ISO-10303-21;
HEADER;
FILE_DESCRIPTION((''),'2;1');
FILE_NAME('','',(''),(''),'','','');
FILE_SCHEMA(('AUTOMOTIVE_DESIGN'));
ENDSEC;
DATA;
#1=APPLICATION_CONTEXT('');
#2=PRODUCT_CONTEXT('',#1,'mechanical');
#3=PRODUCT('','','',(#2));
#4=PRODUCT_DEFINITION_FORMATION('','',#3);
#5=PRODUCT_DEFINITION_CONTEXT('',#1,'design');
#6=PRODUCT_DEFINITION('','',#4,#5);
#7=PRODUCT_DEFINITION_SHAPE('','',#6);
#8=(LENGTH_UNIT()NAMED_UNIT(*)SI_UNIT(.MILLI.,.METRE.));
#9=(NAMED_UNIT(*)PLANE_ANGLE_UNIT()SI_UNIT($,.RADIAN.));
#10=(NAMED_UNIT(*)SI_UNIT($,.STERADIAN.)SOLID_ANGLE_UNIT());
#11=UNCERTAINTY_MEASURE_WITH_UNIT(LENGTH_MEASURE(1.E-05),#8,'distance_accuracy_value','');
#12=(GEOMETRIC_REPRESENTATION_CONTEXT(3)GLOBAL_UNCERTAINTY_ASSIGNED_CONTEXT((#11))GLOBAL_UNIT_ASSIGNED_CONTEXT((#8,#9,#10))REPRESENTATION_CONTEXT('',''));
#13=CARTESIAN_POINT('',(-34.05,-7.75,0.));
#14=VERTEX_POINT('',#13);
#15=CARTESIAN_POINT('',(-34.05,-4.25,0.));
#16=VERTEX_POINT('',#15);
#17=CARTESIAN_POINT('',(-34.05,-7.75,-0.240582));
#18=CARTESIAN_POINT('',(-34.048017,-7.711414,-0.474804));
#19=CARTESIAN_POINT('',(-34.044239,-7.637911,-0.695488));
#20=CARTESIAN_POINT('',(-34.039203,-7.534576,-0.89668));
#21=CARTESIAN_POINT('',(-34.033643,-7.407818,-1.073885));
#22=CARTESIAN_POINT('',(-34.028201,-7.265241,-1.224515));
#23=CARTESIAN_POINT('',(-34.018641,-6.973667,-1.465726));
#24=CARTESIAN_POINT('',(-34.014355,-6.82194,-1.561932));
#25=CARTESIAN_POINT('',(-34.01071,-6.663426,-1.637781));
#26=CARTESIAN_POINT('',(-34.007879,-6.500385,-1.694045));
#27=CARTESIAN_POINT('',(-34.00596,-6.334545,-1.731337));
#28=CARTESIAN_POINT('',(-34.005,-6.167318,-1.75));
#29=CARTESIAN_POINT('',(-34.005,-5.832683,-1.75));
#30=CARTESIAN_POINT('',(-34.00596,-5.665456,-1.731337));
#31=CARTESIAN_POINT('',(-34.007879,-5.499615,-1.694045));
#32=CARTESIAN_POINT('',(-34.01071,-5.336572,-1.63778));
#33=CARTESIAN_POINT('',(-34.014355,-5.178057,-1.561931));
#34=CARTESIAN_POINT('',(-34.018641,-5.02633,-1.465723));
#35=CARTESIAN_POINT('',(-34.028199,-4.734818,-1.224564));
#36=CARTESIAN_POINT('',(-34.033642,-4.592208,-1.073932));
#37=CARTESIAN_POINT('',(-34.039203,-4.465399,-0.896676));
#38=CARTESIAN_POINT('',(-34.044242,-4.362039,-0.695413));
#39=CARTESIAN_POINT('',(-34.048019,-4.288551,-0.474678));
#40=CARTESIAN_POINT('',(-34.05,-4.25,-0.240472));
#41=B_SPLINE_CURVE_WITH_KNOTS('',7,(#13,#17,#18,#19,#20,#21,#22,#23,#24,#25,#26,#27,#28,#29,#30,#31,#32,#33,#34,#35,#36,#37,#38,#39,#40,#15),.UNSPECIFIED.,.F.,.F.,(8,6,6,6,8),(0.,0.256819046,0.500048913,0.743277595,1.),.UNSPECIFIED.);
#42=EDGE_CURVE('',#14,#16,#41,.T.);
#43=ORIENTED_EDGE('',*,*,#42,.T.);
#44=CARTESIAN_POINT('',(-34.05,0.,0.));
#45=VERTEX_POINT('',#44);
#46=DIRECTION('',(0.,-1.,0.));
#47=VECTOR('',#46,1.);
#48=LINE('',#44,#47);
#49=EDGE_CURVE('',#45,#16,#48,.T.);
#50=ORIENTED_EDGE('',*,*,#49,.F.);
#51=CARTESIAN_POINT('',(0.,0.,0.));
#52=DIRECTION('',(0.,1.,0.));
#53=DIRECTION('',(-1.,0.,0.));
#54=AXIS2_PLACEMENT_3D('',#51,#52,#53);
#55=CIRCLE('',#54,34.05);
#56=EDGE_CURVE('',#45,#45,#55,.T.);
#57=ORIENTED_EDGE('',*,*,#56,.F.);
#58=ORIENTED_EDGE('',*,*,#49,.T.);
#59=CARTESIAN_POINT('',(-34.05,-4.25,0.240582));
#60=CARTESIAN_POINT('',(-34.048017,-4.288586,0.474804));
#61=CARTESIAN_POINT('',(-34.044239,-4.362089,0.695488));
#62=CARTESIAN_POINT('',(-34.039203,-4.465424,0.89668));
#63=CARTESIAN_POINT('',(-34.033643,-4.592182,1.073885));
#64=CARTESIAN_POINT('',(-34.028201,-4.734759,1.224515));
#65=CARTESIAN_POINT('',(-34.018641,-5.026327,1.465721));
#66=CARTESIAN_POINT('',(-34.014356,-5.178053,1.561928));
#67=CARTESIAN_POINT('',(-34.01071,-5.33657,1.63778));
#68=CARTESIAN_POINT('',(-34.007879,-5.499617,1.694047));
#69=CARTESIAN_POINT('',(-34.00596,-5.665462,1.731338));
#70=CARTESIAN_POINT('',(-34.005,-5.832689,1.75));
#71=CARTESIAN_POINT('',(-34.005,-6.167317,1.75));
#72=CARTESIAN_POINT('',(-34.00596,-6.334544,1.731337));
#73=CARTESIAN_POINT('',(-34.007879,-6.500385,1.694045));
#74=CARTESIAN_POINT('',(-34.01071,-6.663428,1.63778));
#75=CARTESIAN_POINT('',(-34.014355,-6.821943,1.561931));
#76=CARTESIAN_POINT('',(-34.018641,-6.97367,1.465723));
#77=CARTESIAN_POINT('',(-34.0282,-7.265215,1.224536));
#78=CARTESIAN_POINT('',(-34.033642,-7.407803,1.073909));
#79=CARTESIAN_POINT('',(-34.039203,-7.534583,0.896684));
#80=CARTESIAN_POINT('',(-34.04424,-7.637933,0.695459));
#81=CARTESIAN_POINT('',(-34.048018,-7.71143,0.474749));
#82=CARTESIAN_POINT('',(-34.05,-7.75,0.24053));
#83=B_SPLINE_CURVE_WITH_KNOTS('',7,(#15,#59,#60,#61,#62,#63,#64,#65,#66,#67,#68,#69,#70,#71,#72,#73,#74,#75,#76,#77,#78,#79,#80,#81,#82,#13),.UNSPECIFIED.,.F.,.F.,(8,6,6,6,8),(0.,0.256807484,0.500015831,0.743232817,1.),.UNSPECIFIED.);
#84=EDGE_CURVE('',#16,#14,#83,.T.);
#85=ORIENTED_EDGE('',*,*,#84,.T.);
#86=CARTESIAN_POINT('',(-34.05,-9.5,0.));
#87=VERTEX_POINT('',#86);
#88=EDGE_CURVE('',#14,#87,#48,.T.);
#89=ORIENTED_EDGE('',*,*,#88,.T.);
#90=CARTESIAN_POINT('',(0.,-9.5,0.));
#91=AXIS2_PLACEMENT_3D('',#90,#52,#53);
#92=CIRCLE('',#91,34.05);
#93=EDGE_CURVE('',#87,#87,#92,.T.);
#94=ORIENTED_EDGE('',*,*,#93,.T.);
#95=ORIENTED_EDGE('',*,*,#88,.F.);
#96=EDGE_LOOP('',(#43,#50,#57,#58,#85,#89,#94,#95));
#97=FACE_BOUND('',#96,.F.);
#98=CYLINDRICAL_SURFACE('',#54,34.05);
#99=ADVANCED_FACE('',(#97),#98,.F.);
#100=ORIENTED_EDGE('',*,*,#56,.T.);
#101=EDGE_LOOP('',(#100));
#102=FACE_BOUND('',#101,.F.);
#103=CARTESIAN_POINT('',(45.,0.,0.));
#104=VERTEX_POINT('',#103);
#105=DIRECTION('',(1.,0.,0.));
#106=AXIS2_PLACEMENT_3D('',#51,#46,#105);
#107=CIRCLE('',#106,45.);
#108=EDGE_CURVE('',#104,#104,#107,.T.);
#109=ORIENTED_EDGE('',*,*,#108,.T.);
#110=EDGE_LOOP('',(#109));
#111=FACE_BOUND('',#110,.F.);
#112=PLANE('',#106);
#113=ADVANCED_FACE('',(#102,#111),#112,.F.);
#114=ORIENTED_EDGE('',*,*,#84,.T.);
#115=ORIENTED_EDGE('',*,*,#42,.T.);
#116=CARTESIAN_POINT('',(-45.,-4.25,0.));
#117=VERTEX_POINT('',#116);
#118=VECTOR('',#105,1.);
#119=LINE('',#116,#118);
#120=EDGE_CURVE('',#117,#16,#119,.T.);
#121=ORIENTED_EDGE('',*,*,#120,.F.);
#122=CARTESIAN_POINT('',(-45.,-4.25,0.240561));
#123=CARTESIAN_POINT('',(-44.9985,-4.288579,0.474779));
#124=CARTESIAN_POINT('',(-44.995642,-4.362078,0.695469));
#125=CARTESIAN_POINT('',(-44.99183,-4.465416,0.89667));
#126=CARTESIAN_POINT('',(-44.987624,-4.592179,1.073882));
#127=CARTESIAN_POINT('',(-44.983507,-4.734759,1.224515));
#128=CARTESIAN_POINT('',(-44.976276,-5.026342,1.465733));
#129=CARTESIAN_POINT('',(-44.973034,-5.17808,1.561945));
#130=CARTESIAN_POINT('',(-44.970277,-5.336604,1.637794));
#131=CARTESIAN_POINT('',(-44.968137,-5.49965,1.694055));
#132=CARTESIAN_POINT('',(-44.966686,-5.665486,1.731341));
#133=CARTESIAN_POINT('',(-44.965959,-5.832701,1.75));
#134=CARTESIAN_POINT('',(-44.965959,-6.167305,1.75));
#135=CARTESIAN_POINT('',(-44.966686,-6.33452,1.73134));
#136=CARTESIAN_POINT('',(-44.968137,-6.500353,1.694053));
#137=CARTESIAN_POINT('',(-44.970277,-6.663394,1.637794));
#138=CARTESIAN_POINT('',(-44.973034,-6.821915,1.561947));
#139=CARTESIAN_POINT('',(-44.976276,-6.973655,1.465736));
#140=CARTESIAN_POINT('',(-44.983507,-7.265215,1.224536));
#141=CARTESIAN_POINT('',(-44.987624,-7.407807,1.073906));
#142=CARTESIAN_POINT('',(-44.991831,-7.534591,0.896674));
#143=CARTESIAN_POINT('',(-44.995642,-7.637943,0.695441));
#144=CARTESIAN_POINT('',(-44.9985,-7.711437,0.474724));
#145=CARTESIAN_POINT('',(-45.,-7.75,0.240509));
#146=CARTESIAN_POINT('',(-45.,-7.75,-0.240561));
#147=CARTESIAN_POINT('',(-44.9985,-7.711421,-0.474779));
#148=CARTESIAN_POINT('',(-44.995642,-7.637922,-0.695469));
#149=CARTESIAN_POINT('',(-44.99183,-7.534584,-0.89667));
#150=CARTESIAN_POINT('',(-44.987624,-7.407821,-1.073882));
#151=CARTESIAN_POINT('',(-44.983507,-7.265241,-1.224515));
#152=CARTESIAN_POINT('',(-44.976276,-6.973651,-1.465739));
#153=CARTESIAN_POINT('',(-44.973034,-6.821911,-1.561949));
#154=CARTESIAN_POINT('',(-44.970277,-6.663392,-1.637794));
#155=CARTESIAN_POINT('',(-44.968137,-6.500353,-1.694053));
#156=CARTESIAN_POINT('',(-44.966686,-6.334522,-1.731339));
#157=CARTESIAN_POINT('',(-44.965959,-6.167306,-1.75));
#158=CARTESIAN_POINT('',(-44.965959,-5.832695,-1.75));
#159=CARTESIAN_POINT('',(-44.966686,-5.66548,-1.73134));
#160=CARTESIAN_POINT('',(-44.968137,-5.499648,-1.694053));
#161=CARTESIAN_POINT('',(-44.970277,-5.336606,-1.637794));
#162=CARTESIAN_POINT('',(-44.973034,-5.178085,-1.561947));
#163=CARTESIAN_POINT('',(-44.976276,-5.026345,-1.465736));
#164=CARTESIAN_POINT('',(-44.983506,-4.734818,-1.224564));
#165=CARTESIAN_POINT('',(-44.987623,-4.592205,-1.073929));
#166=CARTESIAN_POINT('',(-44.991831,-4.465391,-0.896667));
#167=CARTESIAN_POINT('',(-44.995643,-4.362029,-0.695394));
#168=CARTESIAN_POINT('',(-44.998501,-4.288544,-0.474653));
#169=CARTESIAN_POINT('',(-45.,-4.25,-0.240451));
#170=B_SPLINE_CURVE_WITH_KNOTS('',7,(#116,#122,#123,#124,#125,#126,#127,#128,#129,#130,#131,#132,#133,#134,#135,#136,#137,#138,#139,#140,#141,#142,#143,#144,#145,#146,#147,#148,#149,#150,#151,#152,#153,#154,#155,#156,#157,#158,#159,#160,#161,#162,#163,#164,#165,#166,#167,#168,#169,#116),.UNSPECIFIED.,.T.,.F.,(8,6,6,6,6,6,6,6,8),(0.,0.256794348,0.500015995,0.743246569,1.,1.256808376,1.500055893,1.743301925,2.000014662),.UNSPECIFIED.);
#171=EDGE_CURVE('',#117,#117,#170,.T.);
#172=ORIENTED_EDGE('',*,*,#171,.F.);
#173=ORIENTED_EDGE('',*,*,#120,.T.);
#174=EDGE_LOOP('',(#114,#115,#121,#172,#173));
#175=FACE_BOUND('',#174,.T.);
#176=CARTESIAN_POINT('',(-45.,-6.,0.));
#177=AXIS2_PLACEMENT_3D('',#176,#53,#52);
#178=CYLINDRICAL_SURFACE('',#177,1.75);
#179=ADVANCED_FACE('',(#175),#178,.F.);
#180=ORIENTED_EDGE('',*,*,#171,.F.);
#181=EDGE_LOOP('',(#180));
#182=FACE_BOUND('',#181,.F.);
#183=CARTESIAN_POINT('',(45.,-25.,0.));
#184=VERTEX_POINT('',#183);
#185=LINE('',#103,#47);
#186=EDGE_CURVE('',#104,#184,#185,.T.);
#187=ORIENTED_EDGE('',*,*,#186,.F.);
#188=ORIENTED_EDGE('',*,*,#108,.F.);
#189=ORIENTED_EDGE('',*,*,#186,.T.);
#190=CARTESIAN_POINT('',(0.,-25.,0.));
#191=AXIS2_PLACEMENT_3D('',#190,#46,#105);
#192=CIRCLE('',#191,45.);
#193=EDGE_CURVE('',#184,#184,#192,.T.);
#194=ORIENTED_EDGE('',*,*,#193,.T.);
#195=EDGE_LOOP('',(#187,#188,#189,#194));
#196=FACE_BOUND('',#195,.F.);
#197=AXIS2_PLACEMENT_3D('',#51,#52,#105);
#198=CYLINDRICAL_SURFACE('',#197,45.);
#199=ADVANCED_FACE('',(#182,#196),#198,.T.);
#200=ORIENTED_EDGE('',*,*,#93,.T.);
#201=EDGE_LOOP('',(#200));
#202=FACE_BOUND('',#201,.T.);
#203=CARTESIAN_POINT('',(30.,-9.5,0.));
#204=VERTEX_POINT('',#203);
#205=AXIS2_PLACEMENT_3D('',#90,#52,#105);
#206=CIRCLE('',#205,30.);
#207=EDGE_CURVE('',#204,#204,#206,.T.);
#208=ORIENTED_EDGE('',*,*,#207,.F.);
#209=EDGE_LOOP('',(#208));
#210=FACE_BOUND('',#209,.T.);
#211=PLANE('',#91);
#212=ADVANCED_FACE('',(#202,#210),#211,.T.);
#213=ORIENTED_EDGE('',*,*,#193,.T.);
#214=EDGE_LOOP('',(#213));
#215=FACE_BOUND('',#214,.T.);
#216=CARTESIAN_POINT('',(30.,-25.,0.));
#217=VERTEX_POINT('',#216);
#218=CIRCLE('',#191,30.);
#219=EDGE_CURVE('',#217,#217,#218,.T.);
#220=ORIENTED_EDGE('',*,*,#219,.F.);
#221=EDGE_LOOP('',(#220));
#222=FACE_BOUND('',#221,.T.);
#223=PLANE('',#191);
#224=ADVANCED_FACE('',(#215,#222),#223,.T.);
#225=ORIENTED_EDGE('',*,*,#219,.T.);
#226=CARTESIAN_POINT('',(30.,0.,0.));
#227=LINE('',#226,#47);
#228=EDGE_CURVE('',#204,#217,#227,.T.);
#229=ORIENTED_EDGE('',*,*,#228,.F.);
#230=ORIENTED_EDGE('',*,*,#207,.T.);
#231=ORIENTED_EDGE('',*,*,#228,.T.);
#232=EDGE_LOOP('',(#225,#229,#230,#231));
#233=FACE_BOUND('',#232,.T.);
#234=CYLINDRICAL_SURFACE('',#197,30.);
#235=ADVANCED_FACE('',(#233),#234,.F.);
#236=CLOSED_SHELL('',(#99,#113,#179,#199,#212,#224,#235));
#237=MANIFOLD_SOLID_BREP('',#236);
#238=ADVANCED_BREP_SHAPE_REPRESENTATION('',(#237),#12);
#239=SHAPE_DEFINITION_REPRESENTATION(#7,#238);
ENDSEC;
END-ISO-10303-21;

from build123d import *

# Parameters (mm, degrees)
F0_R     = 45
F0_R_2   = 30
F1_DEPTH = 25
F2_R     = 34.05
F3_DEPTH = 9.5
F5_R     = 1.75
F6_DEPTH = 25


with BuildPart() as f1:
    # F0 (on Front) → F1 (new body)
    with BuildSketch(Plane.XZ):
        Circle(F0_R)
        Circle(F0_R_2, mode=Mode.SUBTRACT)
    extrude(amount=F1_DEPTH)

    # F2 (on face) → F3 (cut)
    with BuildSketch(Plane(origin=(0, 0, 0), x_dir=(-1, 0, 0), z_dir=(0, 1, 0))):
        Circle(F2_R)
    extrude(amount=-F3_DEPTH, mode=Mode.SUBTRACT)

    # F5 (on offset) → F6 (cut)
    with BuildSketch(Plane.YZ.offset(-45)):
        with Locations((-6, 0)):
            Circle(F5_R)
    extrude(amount=F6_DEPTH, mode=Mode.SUBTRACT)


solid = f1.part
